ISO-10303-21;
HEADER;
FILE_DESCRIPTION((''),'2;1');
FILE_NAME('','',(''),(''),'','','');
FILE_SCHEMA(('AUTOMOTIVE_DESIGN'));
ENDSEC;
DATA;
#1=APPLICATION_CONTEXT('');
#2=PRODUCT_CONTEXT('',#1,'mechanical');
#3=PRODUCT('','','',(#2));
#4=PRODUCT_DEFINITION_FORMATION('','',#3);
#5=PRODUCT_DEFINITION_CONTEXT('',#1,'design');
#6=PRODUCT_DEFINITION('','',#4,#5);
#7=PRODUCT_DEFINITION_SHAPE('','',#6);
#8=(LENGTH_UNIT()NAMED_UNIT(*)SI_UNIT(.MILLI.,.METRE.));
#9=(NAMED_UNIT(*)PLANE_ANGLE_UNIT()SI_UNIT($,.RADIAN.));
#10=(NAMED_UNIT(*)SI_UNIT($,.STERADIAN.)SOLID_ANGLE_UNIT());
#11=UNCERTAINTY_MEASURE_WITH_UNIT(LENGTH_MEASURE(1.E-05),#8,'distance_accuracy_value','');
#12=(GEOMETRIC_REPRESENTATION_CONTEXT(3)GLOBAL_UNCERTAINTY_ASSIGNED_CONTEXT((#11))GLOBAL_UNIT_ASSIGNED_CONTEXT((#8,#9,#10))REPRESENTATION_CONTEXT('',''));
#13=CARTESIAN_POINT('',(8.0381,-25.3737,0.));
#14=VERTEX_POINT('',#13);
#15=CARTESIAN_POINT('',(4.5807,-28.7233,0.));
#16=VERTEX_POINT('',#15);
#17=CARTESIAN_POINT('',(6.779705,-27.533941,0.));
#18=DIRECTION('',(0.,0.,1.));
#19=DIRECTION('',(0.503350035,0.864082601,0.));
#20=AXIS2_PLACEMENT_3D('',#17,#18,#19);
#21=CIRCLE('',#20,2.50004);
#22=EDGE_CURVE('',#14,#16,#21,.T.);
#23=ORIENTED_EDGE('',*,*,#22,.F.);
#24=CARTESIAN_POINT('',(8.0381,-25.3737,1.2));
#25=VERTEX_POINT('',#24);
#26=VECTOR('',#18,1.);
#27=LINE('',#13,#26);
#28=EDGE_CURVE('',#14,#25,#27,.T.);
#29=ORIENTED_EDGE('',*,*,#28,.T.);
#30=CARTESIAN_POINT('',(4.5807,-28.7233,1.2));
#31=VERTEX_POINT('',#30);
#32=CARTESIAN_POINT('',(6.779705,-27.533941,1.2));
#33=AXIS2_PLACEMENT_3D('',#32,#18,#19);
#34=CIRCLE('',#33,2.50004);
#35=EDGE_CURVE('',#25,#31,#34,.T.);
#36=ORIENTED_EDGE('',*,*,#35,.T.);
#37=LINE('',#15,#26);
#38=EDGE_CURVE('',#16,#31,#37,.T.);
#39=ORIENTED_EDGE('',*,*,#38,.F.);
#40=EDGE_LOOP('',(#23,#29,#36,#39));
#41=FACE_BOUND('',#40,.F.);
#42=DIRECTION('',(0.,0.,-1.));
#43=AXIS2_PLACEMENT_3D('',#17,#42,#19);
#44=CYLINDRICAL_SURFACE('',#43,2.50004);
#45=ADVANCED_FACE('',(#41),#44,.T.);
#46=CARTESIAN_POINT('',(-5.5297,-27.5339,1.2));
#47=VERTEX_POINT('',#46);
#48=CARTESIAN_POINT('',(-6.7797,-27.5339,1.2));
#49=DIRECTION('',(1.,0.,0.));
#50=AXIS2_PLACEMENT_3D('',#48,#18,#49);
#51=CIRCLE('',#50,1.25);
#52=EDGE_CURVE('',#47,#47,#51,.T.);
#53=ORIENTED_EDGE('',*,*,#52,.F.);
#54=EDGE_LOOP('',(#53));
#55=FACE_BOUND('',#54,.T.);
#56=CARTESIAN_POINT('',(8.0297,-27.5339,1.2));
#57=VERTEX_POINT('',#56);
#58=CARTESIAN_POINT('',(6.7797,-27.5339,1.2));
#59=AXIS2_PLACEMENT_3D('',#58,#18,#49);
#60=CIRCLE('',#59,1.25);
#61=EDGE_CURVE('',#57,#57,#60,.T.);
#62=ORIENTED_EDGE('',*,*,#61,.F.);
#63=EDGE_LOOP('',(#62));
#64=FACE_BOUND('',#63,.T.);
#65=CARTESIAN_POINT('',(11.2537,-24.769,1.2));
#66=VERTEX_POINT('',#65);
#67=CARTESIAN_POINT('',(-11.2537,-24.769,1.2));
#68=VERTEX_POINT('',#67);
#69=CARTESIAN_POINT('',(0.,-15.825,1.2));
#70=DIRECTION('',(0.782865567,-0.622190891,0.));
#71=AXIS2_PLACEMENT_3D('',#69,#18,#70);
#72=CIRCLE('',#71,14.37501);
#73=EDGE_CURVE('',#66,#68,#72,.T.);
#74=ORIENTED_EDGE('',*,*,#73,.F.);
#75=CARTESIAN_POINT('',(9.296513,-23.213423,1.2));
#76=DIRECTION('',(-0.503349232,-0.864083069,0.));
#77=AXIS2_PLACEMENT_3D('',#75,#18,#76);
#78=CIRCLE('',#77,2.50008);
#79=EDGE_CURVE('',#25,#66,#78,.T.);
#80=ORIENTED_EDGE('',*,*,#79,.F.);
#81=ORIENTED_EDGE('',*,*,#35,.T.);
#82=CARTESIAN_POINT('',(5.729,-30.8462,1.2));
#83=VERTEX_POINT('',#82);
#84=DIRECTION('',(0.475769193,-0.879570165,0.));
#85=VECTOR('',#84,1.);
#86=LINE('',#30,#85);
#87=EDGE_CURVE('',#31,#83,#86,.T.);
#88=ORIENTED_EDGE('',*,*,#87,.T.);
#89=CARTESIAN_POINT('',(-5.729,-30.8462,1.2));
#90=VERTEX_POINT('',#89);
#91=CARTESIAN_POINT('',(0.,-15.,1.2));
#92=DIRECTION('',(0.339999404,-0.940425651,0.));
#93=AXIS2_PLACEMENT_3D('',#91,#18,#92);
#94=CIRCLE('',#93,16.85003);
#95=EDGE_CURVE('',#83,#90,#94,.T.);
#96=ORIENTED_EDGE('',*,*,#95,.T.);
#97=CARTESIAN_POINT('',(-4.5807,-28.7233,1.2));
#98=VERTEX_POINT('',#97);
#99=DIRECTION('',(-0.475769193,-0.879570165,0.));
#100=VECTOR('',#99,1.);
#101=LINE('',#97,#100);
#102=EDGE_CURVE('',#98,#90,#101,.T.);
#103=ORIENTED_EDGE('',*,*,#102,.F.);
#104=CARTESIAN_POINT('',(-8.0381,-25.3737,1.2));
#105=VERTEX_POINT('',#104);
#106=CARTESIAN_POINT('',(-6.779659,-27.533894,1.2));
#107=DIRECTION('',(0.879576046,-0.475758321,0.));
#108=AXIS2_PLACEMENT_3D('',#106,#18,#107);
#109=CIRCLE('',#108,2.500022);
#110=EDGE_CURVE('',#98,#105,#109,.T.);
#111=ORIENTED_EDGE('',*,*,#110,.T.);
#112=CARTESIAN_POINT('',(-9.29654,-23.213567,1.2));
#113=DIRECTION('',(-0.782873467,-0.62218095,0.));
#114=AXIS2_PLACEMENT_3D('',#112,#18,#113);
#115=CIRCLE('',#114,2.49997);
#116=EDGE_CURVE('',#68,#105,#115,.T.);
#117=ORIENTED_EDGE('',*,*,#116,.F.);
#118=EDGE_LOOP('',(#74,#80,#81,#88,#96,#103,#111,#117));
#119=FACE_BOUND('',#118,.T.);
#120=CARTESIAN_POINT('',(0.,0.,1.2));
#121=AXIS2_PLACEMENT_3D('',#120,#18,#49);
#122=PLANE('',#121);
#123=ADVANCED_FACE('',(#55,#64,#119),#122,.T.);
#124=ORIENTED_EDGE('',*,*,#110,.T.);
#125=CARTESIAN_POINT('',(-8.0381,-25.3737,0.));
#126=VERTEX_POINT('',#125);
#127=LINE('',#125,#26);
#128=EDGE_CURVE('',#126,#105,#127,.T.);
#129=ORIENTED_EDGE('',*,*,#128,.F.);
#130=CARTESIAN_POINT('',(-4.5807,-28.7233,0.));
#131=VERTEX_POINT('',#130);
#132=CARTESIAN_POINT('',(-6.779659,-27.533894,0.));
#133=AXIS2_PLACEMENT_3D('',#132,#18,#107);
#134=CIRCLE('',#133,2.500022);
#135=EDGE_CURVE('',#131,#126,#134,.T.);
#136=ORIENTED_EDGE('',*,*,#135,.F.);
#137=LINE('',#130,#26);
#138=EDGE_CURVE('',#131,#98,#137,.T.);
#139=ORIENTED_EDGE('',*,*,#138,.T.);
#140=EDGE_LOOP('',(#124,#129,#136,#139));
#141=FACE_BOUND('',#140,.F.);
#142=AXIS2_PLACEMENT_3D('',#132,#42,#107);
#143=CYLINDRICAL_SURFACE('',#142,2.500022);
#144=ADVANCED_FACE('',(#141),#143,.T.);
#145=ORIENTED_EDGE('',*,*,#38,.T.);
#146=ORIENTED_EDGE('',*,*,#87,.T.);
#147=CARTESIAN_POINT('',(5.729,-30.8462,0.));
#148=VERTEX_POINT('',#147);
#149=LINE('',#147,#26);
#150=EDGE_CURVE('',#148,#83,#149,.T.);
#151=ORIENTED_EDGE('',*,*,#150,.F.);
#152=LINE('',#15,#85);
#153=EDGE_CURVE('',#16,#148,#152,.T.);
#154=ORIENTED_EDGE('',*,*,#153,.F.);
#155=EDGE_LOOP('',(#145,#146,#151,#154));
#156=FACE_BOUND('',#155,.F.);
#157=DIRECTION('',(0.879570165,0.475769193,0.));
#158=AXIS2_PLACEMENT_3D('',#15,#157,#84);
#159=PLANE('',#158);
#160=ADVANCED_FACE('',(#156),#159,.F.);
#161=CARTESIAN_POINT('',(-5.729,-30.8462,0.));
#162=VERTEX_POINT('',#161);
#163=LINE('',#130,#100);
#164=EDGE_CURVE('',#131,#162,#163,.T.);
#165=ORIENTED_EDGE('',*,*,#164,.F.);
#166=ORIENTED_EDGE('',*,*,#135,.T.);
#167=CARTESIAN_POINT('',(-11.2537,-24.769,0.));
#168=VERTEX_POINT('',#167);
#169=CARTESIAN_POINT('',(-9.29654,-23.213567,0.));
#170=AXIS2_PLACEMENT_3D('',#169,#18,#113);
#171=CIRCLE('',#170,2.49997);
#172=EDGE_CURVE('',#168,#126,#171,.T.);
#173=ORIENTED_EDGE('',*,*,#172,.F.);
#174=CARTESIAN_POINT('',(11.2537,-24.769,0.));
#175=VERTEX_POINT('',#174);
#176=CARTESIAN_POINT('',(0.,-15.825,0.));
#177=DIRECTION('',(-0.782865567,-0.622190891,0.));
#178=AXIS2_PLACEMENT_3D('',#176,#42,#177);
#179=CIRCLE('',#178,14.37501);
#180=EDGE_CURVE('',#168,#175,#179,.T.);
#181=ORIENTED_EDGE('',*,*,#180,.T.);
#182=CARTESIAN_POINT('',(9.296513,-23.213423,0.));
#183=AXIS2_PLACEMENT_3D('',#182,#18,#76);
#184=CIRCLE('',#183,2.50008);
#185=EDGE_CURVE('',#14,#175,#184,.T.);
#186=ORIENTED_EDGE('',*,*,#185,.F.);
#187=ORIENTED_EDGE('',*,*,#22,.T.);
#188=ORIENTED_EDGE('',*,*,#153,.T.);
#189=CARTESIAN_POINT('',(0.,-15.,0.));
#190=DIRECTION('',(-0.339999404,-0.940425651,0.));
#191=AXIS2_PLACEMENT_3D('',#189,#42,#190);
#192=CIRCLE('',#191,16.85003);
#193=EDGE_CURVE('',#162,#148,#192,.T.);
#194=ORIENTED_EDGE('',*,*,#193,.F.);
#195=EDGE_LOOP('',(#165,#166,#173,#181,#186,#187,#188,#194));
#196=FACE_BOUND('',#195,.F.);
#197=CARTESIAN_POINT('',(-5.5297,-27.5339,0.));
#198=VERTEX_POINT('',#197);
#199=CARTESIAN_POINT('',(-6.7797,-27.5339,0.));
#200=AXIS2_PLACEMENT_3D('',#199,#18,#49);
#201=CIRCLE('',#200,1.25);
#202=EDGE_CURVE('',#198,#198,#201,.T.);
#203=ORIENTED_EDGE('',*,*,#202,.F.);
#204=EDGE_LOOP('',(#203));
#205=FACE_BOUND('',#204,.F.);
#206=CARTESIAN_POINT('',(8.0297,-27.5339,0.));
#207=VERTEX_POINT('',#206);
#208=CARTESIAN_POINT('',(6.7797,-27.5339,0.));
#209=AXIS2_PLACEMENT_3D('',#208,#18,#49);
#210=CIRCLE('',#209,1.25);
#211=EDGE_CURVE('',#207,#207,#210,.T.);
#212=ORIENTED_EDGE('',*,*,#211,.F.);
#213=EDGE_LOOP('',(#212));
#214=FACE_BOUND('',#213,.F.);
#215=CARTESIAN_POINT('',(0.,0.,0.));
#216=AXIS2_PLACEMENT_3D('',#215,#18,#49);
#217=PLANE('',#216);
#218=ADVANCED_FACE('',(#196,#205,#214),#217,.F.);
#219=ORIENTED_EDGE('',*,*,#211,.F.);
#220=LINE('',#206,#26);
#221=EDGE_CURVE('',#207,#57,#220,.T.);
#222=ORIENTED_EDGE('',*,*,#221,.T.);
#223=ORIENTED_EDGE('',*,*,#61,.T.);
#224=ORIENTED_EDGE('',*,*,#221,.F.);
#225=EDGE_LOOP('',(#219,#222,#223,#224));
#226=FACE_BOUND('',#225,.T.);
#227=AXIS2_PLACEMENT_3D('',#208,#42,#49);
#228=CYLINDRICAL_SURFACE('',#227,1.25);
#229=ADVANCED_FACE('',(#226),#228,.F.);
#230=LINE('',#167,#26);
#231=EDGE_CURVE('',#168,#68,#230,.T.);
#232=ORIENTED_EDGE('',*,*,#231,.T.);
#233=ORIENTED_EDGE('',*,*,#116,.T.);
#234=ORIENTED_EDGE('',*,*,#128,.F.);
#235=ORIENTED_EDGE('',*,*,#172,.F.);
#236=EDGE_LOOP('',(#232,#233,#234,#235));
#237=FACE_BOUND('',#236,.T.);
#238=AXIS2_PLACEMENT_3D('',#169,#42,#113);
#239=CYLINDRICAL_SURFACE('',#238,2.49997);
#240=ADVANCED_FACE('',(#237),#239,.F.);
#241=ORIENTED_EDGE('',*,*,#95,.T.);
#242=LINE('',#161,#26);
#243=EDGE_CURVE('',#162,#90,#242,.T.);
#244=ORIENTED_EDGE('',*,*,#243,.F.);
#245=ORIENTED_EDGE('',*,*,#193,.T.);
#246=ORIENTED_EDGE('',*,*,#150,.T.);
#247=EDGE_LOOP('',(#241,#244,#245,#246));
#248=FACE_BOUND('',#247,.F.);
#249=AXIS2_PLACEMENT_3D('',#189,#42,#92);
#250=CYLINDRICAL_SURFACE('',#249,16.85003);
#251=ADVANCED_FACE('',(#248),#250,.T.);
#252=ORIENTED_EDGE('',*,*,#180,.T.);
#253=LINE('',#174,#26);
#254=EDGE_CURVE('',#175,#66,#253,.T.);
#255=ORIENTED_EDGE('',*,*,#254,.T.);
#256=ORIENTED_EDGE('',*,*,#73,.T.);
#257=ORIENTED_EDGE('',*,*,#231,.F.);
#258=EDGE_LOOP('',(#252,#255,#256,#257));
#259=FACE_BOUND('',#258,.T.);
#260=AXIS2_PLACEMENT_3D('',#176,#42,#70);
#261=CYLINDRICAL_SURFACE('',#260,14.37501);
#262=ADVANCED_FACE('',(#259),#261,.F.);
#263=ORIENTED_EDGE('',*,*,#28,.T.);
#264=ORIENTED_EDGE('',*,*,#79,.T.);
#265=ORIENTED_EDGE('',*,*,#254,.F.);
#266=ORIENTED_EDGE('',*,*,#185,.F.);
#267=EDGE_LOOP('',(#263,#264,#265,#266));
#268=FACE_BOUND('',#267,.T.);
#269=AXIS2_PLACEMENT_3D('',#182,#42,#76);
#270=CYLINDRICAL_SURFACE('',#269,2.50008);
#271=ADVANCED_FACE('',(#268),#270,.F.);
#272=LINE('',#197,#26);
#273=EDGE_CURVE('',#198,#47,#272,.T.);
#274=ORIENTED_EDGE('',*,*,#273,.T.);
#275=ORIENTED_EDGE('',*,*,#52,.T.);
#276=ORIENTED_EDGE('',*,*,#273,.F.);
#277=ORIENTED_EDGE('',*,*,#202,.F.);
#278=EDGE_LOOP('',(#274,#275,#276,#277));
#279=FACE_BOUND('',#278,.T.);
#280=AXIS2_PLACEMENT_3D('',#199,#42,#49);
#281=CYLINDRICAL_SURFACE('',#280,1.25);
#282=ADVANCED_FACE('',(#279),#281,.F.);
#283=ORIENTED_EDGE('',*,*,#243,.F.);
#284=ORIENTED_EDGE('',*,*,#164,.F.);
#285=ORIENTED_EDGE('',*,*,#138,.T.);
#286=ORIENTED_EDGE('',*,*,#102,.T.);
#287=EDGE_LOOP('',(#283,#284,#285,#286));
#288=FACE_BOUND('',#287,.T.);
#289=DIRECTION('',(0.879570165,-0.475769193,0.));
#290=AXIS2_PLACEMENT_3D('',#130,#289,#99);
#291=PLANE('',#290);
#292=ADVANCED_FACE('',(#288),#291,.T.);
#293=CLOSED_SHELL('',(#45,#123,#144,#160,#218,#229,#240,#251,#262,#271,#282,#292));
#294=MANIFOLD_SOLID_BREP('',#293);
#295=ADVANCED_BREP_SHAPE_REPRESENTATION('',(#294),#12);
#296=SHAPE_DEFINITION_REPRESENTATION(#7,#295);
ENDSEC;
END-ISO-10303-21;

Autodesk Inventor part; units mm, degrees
ref_plane "YZ Plane" through (0, 0, 0) normal (1, 0, 0) x (0, 1, 0)
ref_plane "XZ Plane" through (0, 0, 0) normal (0, 1, 0) x (-1, 0, 0)
sketch "Náčrt1" plane through (0, 0, 0) normal (0, 0, 1) x (1, 0, 0)
  arc A0 (11.2537, -24.769) -> (-11.2537, -24.769) centre (0, -15.825) ccw
  line L0 (0, 15.1128) -> (0, -73.1766) projected
  line L1 (-45.5, 0) -> (45.5, 0) projected
  line L2 (-4.9645, 1.85) -> (1.5024, 1.85) construction
  arc A1 (5.729, -30.8462) -> (-5.729, -30.8462) centre (0, -15) ccw
  line L3 (0, -1.45) -> (-5.3069, -1.45) construction
  line L4 (0, -15) -> (-8.0167, -29.8208) construction
  line L5 (-8.0167, -29.8208) -> (-21.1118, -22.7375) construction
  line L6 (-6.7797, -27.5339) -> (-16.9613, -22.0266) construction
  circle A2 centre (-6.7797, -27.5339) radius 1.25
  arc A3 (-4.5807, -28.7233) -> (-8.0381, -25.3737) centre (-6.7797, -27.5339) ccw
  arc A4 (-11.2537, -24.769) -> (-8.0381, -25.3737) centre (-9.2965, -23.2135) ccw
  line L7 (-4.5807, -28.7233) -> (-5.729, -30.8462)
  circle A5 centre (6.7797, -27.5339) radius 1.25
  arc A6 (8.0381, -25.3737) -> (4.5807, -28.7233) centre (6.7797, -27.5339) ccw
  arc A7 (8.0381, -25.3737) -> (11.2537, -24.769) centre (9.2965, -23.2135) ccw
  line L8 (4.5807, -28.7233) -> (5.729, -30.8462)
  point P0 (-10.7194, -25.4029)
  point P1 (8.0167, -29.8208)
  dimension "d8" = 0.825
  dimension "d38" = 3.3
  dimension "d39" = 15
  dimension "d43" = 16.85
  dimension "d45" = 2.6
  dimension "d46" = 2.5
  dimension "d47" = 5.729
  dimension "d48" = 2.5
  dimension "d49" = 2.5
extrude "Těleso" add sketch "Náčrt1" along normal blind 1.2
ref_plane "Work Plane1" through (0, -15.825, 0) normal (1, 0, 0) x (0, 0, 1)
equation "\"d8\" = 0.25 * SRB1"
equation "\"d38\" = SRB1"
equation "\"d39\" = 0.5 * WD"
equation "\"d43\" = 0.5 * ND"
equation "\"d45\" = 0.5 * SRB2"
equation "\"d46\" = SD5"
equation "\"d47\" = 0.17 * ND"
equation "\"d48\" = SD5"
equation "\"d49\" = SD5"
equation "\"d2\" = SD"
equation "\"SD\" = 1.2"
equation "\"SRB1\" = 3.3"
equation "\"ND\" = 33.7"
equation "\"SRB2\" = 5.2"
equation "\"SD5\" = 2.5"
equation "\"SD6\" = 34.4"
equation "\"WDMAX\" = NND"
equation "\"NND\" = 32"
equation "\"WD\" = 30"
properties part number "CSN 02 2931 - 32" material "Nerezová ocel"
